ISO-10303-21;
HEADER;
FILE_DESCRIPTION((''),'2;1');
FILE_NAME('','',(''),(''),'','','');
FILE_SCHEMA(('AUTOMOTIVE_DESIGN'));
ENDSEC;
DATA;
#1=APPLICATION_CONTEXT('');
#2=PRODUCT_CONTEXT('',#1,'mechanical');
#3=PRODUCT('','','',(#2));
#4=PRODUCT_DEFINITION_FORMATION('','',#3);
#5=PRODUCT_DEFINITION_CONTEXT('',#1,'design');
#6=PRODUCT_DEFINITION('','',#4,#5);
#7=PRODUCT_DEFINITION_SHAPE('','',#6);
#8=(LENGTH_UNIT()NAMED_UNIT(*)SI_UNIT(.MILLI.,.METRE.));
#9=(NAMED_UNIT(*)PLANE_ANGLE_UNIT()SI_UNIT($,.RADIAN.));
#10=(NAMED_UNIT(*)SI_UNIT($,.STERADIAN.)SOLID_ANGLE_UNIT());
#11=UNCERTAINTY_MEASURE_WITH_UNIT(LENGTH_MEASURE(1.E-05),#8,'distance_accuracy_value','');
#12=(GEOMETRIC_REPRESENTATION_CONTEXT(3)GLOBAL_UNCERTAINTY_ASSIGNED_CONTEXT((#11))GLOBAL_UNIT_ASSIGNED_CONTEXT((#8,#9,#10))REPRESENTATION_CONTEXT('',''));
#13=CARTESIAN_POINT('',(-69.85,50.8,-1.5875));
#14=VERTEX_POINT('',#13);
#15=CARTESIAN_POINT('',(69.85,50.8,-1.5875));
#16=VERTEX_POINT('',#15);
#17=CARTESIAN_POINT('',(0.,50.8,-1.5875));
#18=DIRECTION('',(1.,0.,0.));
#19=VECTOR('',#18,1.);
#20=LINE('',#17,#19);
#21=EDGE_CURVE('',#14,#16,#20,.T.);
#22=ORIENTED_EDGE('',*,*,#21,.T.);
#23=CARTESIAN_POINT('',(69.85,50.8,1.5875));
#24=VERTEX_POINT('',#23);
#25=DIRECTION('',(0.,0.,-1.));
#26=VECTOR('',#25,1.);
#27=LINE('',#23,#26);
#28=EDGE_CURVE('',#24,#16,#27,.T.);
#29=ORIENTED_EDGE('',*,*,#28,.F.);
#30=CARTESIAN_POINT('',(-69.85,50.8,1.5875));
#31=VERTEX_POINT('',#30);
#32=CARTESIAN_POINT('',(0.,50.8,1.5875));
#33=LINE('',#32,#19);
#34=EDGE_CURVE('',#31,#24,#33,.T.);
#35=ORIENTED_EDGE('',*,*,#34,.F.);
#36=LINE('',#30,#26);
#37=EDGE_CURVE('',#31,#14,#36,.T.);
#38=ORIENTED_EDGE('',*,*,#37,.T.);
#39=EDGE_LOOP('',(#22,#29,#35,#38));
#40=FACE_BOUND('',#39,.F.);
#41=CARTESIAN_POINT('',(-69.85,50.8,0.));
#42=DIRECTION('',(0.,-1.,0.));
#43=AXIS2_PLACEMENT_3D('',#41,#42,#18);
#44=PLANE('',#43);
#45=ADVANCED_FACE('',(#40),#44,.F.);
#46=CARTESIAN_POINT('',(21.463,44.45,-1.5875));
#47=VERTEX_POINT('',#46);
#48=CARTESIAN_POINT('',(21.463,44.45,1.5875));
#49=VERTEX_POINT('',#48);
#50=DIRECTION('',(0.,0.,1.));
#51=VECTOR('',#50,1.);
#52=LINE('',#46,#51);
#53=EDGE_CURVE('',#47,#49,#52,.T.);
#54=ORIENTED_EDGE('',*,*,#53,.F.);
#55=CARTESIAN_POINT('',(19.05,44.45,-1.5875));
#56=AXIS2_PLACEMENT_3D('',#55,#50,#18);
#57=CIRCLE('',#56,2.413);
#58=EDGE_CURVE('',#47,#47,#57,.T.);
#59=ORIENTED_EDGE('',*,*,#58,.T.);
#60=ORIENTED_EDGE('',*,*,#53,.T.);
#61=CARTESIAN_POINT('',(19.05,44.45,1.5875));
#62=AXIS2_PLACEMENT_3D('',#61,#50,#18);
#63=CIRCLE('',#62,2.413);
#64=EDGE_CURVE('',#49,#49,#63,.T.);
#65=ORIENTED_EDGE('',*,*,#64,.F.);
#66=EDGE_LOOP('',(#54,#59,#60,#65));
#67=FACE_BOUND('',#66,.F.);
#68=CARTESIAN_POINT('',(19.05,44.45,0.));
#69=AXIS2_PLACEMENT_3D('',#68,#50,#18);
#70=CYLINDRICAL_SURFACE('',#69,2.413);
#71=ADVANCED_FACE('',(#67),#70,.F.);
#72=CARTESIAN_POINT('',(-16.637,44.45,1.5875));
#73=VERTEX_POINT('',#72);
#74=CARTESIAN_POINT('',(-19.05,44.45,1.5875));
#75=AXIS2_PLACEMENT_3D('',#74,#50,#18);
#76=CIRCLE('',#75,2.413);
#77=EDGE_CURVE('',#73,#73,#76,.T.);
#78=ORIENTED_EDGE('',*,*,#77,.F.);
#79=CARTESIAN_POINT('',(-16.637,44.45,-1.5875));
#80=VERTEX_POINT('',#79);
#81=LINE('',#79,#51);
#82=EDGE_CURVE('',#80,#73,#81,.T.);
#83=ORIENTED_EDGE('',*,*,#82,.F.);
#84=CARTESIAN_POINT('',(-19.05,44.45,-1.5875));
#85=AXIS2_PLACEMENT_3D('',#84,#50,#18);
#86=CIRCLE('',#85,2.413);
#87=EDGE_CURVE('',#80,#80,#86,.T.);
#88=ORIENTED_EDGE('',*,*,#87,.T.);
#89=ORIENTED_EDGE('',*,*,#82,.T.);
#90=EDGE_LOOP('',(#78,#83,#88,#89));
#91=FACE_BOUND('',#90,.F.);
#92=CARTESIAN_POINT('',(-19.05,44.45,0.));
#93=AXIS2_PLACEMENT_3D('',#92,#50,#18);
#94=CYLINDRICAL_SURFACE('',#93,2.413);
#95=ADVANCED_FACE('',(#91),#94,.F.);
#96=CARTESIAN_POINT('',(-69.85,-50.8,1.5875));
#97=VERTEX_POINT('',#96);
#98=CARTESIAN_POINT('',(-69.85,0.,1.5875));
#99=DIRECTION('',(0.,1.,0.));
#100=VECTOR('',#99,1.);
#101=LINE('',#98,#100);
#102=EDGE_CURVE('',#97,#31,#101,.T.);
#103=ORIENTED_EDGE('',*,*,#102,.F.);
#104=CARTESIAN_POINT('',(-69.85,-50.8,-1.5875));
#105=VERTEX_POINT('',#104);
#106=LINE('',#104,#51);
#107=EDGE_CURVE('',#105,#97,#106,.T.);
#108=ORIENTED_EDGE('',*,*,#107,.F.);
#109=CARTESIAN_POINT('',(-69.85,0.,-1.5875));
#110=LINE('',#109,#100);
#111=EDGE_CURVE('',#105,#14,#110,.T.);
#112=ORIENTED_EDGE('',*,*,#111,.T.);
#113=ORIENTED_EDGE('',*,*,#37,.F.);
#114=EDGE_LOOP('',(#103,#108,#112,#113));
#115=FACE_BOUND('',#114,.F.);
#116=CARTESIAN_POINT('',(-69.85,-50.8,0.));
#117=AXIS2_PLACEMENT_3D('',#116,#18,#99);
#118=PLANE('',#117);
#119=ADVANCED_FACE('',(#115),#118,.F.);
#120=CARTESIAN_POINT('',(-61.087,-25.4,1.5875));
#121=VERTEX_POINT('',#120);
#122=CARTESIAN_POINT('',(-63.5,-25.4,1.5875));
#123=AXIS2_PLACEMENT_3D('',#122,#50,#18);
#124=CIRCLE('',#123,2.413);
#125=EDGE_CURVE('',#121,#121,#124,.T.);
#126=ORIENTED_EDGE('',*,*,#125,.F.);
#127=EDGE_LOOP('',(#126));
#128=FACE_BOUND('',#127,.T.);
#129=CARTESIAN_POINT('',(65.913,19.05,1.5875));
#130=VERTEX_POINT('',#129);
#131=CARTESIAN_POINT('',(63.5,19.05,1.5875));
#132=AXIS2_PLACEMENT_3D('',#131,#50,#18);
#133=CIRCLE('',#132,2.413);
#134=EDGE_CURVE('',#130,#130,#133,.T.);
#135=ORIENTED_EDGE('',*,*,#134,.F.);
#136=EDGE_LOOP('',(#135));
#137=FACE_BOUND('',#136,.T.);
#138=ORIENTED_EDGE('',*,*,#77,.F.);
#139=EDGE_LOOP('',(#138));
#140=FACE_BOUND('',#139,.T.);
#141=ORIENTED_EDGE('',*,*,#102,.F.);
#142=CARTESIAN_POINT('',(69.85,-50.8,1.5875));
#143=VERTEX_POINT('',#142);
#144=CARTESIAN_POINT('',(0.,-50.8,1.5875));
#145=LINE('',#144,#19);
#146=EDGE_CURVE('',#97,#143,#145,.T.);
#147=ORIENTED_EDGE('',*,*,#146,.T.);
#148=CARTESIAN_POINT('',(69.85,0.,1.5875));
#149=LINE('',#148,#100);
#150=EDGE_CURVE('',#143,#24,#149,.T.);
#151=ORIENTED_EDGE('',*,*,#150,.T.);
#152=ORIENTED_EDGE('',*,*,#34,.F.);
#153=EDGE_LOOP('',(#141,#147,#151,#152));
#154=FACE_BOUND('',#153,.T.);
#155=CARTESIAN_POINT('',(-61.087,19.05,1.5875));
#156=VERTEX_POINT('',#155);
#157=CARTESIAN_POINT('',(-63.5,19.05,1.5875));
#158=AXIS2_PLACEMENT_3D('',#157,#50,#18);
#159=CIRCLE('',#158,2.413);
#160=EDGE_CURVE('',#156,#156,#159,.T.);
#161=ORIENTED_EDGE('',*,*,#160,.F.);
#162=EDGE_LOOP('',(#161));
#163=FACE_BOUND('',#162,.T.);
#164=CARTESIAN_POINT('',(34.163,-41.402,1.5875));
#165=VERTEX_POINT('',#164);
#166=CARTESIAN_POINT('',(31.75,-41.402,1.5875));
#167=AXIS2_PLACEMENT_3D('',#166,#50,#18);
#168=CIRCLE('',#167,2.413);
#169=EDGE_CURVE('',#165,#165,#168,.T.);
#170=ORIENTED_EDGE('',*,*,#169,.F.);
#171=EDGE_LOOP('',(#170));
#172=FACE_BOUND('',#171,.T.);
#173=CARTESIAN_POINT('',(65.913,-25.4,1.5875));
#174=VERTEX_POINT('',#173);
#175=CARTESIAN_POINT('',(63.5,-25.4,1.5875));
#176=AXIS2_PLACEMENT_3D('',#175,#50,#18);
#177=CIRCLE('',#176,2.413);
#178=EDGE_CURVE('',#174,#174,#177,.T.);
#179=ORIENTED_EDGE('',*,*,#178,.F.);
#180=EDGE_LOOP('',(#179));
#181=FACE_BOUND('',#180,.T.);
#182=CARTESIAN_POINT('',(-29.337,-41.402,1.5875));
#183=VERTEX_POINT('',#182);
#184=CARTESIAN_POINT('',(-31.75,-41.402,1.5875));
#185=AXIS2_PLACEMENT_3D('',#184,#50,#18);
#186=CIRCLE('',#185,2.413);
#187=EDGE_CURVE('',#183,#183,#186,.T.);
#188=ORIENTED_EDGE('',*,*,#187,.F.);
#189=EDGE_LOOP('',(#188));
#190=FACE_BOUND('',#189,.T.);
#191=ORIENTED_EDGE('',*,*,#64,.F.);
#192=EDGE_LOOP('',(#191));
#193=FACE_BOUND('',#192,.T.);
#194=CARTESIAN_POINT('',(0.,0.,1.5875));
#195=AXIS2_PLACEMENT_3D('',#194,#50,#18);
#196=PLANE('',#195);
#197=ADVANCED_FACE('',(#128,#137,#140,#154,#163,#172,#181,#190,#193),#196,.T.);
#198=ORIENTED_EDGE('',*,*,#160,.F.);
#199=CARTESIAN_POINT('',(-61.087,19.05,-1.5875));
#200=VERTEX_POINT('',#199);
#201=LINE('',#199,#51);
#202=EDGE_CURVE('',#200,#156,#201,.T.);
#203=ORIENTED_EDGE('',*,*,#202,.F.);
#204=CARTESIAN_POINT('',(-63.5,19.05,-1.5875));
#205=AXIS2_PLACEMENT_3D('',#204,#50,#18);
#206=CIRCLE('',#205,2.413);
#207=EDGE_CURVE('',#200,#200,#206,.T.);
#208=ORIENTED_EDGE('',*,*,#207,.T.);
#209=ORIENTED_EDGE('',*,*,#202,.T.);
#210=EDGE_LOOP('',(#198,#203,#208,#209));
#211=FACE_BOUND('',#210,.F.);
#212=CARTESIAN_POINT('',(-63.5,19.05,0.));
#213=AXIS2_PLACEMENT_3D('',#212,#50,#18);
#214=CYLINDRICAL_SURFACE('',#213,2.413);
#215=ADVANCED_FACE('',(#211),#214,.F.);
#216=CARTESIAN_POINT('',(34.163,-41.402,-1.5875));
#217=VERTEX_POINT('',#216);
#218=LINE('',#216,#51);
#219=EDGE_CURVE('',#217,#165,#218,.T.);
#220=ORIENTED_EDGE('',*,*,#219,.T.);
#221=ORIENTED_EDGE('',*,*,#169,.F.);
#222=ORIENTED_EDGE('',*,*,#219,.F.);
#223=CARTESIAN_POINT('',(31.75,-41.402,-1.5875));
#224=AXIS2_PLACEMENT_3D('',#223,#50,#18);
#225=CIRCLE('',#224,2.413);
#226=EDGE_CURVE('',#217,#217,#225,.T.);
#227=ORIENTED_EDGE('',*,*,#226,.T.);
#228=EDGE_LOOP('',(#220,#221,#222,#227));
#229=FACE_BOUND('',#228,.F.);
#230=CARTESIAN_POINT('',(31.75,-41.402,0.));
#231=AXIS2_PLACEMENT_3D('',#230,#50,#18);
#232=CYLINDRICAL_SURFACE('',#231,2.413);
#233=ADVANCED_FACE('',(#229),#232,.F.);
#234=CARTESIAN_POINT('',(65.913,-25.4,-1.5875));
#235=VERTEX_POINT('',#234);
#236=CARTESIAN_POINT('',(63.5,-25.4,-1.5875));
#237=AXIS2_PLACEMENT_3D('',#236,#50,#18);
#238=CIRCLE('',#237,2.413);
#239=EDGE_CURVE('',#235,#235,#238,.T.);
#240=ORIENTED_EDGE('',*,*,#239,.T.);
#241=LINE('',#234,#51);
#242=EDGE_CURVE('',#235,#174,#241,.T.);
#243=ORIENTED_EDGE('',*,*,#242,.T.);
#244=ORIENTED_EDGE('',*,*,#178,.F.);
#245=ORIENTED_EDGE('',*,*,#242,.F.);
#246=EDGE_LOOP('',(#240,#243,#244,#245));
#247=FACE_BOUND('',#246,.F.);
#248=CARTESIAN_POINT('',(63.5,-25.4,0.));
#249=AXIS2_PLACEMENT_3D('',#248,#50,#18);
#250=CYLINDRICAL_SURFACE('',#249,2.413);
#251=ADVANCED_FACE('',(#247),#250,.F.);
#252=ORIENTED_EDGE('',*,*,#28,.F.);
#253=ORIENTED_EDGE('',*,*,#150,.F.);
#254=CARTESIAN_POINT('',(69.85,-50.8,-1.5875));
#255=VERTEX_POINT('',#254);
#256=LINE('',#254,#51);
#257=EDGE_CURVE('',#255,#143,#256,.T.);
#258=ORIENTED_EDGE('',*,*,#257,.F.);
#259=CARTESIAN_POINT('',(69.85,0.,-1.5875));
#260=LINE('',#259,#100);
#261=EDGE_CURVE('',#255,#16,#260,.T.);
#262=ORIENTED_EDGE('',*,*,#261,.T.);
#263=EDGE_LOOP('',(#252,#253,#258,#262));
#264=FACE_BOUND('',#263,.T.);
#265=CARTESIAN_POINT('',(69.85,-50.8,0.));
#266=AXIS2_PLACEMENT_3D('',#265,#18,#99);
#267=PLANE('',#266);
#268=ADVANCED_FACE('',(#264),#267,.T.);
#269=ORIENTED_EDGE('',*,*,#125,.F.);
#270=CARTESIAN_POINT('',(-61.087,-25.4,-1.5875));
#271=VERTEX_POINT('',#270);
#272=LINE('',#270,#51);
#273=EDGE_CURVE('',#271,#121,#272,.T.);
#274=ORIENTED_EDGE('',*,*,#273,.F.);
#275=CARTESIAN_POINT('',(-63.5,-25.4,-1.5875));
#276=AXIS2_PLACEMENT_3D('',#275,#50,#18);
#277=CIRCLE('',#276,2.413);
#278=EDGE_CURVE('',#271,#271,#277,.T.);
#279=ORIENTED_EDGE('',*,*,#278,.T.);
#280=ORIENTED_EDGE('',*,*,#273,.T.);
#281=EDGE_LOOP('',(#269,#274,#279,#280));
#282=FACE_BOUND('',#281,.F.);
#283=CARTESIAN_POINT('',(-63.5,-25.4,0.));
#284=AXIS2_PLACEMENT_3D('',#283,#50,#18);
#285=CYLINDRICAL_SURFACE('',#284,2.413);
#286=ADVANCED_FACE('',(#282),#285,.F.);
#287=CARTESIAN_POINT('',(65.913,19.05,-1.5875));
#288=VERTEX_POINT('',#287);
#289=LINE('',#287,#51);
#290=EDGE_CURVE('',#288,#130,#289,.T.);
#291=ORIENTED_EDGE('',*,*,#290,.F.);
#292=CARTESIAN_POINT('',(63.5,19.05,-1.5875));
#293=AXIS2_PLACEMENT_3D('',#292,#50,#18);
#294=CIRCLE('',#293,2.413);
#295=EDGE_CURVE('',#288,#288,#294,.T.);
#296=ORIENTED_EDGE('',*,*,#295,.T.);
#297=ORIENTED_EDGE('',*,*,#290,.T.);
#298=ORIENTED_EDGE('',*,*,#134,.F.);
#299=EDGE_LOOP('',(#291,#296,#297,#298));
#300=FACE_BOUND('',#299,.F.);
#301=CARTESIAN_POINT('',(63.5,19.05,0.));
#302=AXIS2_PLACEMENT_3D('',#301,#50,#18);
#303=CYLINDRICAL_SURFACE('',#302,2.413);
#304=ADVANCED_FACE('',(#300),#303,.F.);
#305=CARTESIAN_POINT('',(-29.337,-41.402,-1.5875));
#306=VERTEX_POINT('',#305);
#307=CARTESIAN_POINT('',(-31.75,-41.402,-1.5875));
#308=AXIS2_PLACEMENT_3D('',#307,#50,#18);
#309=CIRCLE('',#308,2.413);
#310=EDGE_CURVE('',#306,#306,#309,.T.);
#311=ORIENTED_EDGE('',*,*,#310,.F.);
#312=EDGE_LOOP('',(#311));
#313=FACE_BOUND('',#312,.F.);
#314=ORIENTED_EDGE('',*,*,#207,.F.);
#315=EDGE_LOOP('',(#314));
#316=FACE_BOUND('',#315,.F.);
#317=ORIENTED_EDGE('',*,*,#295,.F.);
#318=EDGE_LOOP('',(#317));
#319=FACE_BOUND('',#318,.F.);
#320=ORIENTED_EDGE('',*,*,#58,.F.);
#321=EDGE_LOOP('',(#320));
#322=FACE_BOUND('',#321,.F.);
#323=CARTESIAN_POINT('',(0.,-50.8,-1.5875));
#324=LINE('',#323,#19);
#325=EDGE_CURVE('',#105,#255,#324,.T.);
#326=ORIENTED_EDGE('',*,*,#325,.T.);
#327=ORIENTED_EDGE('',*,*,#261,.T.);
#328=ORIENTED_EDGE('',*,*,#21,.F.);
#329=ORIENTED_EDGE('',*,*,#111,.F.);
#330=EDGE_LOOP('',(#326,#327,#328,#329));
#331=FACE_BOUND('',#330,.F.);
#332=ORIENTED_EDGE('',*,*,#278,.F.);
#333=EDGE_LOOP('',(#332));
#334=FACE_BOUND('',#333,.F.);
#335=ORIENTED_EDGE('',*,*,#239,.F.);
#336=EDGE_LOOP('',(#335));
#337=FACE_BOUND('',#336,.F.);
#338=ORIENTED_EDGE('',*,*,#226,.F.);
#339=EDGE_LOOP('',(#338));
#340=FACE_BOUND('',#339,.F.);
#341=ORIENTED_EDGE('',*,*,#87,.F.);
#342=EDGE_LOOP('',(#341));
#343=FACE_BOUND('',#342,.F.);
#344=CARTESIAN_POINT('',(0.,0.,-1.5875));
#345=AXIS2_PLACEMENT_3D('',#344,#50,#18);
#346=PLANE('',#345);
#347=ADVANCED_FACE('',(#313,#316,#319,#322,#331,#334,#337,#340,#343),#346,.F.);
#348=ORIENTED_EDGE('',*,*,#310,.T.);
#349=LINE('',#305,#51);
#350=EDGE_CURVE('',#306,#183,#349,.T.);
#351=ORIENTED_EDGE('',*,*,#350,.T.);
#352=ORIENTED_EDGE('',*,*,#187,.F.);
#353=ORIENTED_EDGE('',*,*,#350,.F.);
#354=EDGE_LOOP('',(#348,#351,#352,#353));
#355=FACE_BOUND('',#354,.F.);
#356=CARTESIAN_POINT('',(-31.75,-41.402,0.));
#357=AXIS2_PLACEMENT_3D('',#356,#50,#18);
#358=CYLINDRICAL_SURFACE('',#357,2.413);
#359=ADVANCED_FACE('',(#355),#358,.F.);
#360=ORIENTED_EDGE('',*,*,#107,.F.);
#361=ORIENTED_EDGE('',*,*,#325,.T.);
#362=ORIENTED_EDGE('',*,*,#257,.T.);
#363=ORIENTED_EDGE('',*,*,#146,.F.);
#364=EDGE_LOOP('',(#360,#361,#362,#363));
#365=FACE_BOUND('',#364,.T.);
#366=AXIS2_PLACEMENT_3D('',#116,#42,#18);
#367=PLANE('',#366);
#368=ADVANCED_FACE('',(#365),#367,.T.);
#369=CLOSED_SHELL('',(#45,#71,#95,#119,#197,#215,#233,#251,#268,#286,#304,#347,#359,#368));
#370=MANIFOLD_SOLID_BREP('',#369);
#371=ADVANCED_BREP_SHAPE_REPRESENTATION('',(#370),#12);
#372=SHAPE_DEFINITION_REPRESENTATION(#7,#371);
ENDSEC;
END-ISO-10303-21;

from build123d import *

# Parameters (mm, degrees)
F0_W      = 139.7
F0_H      = 101.6
F1_DEPTH  = 1.5875
F2_R      = 2.413
F3_DEPTH  = 1.5875
F4_R      = 2.413
F5_DEPTH  = 1.5875
F6_R      = 2.413
F7_DEPTH  = 1.5875
F8_R      = 2.413
F9_DEPTH  = 1.5875
F10_R     = 2.413
F11_DEPTH = 1.5875
F12_R     = 2.413
F13_DEPTH = 1.5875
F14_R     = 2.413
F15_DEPTH = 1.5875
F16_R     = 2.413
F17_DEPTH = 1.5875


with BuildPart() as f1:
    # F0 (on Top) → F1 (new body, symmetric)
    with BuildSketch(Plane.XY):
        Rectangle(F0_W, F0_H)
    extrude(amount=F1_DEPTH, both=True)

    # F2 (on Top) → F3 (cut, symmetric)
    with BuildSketch(Plane.XY):
        with Locations((-63.5, 19.05)):
            Circle(F2_R)
    extrude(amount=F3_DEPTH, both=True, mode=Mode.SUBTRACT)

    # F4 (on Top) → F5 (cut, symmetric)
    with BuildSketch(Plane.XY):
        with Locations((-63.5, -25.4)):
            Circle(F4_R)
    extrude(amount=F5_DEPTH, both=True, mode=Mode.SUBTRACT)

    # F6 (on Top) → F7 (cut, symmetric)
    with BuildSketch(Plane.XY):
        with Locations((63.5, -25.4)):
            Circle(F6_R)
    extrude(amount=F7_DEPTH, both=True, mode=Mode.SUBTRACT)

    # F8 (on Top) → F9 (cut, symmetric)
    with BuildSketch(Plane.XY):
        with Locations((63.5, 19.05)):
            Circle(F8_R)
    extrude(amount=F9_DEPTH, both=True, mode=Mode.SUBTRACT)

    # F10 (on Top) → F11 (cut, symmetric)
    with BuildSketch(Plane.XY):
        with Locations((19.05, 44.45)):
            Circle(F10_R)
    extrude(amount=F11_DEPTH, both=True, mode=Mode.SUBTRACT)

    # F12 (on Top) → F13 (cut, symmetric)
    with BuildSketch(Plane.XY):
        with Locations((-19.05, 44.45)):
            Circle(F12_R)
    extrude(amount=F13_DEPTH, both=True, mode=Mode.SUBTRACT)

    # F14 (on Top) → F15 (cut, symmetric)
    with BuildSketch(Plane.XY):
        with Locations((31.75, -41.402)):
            Circle(F14_R)
    extrude(amount=F15_DEPTH, both=True, mode=Mode.SUBTRACT)

    # F16 (on Top) → F17 (cut, symmetric)
    with BuildSketch(Plane.XY):
        with Locations((-31.75, -41.402)):
            Circle(F16_R)
    extrude(amount=F17_DEPTH, both=True, mode=Mode.SUBTRACT)


solid = f1.part
